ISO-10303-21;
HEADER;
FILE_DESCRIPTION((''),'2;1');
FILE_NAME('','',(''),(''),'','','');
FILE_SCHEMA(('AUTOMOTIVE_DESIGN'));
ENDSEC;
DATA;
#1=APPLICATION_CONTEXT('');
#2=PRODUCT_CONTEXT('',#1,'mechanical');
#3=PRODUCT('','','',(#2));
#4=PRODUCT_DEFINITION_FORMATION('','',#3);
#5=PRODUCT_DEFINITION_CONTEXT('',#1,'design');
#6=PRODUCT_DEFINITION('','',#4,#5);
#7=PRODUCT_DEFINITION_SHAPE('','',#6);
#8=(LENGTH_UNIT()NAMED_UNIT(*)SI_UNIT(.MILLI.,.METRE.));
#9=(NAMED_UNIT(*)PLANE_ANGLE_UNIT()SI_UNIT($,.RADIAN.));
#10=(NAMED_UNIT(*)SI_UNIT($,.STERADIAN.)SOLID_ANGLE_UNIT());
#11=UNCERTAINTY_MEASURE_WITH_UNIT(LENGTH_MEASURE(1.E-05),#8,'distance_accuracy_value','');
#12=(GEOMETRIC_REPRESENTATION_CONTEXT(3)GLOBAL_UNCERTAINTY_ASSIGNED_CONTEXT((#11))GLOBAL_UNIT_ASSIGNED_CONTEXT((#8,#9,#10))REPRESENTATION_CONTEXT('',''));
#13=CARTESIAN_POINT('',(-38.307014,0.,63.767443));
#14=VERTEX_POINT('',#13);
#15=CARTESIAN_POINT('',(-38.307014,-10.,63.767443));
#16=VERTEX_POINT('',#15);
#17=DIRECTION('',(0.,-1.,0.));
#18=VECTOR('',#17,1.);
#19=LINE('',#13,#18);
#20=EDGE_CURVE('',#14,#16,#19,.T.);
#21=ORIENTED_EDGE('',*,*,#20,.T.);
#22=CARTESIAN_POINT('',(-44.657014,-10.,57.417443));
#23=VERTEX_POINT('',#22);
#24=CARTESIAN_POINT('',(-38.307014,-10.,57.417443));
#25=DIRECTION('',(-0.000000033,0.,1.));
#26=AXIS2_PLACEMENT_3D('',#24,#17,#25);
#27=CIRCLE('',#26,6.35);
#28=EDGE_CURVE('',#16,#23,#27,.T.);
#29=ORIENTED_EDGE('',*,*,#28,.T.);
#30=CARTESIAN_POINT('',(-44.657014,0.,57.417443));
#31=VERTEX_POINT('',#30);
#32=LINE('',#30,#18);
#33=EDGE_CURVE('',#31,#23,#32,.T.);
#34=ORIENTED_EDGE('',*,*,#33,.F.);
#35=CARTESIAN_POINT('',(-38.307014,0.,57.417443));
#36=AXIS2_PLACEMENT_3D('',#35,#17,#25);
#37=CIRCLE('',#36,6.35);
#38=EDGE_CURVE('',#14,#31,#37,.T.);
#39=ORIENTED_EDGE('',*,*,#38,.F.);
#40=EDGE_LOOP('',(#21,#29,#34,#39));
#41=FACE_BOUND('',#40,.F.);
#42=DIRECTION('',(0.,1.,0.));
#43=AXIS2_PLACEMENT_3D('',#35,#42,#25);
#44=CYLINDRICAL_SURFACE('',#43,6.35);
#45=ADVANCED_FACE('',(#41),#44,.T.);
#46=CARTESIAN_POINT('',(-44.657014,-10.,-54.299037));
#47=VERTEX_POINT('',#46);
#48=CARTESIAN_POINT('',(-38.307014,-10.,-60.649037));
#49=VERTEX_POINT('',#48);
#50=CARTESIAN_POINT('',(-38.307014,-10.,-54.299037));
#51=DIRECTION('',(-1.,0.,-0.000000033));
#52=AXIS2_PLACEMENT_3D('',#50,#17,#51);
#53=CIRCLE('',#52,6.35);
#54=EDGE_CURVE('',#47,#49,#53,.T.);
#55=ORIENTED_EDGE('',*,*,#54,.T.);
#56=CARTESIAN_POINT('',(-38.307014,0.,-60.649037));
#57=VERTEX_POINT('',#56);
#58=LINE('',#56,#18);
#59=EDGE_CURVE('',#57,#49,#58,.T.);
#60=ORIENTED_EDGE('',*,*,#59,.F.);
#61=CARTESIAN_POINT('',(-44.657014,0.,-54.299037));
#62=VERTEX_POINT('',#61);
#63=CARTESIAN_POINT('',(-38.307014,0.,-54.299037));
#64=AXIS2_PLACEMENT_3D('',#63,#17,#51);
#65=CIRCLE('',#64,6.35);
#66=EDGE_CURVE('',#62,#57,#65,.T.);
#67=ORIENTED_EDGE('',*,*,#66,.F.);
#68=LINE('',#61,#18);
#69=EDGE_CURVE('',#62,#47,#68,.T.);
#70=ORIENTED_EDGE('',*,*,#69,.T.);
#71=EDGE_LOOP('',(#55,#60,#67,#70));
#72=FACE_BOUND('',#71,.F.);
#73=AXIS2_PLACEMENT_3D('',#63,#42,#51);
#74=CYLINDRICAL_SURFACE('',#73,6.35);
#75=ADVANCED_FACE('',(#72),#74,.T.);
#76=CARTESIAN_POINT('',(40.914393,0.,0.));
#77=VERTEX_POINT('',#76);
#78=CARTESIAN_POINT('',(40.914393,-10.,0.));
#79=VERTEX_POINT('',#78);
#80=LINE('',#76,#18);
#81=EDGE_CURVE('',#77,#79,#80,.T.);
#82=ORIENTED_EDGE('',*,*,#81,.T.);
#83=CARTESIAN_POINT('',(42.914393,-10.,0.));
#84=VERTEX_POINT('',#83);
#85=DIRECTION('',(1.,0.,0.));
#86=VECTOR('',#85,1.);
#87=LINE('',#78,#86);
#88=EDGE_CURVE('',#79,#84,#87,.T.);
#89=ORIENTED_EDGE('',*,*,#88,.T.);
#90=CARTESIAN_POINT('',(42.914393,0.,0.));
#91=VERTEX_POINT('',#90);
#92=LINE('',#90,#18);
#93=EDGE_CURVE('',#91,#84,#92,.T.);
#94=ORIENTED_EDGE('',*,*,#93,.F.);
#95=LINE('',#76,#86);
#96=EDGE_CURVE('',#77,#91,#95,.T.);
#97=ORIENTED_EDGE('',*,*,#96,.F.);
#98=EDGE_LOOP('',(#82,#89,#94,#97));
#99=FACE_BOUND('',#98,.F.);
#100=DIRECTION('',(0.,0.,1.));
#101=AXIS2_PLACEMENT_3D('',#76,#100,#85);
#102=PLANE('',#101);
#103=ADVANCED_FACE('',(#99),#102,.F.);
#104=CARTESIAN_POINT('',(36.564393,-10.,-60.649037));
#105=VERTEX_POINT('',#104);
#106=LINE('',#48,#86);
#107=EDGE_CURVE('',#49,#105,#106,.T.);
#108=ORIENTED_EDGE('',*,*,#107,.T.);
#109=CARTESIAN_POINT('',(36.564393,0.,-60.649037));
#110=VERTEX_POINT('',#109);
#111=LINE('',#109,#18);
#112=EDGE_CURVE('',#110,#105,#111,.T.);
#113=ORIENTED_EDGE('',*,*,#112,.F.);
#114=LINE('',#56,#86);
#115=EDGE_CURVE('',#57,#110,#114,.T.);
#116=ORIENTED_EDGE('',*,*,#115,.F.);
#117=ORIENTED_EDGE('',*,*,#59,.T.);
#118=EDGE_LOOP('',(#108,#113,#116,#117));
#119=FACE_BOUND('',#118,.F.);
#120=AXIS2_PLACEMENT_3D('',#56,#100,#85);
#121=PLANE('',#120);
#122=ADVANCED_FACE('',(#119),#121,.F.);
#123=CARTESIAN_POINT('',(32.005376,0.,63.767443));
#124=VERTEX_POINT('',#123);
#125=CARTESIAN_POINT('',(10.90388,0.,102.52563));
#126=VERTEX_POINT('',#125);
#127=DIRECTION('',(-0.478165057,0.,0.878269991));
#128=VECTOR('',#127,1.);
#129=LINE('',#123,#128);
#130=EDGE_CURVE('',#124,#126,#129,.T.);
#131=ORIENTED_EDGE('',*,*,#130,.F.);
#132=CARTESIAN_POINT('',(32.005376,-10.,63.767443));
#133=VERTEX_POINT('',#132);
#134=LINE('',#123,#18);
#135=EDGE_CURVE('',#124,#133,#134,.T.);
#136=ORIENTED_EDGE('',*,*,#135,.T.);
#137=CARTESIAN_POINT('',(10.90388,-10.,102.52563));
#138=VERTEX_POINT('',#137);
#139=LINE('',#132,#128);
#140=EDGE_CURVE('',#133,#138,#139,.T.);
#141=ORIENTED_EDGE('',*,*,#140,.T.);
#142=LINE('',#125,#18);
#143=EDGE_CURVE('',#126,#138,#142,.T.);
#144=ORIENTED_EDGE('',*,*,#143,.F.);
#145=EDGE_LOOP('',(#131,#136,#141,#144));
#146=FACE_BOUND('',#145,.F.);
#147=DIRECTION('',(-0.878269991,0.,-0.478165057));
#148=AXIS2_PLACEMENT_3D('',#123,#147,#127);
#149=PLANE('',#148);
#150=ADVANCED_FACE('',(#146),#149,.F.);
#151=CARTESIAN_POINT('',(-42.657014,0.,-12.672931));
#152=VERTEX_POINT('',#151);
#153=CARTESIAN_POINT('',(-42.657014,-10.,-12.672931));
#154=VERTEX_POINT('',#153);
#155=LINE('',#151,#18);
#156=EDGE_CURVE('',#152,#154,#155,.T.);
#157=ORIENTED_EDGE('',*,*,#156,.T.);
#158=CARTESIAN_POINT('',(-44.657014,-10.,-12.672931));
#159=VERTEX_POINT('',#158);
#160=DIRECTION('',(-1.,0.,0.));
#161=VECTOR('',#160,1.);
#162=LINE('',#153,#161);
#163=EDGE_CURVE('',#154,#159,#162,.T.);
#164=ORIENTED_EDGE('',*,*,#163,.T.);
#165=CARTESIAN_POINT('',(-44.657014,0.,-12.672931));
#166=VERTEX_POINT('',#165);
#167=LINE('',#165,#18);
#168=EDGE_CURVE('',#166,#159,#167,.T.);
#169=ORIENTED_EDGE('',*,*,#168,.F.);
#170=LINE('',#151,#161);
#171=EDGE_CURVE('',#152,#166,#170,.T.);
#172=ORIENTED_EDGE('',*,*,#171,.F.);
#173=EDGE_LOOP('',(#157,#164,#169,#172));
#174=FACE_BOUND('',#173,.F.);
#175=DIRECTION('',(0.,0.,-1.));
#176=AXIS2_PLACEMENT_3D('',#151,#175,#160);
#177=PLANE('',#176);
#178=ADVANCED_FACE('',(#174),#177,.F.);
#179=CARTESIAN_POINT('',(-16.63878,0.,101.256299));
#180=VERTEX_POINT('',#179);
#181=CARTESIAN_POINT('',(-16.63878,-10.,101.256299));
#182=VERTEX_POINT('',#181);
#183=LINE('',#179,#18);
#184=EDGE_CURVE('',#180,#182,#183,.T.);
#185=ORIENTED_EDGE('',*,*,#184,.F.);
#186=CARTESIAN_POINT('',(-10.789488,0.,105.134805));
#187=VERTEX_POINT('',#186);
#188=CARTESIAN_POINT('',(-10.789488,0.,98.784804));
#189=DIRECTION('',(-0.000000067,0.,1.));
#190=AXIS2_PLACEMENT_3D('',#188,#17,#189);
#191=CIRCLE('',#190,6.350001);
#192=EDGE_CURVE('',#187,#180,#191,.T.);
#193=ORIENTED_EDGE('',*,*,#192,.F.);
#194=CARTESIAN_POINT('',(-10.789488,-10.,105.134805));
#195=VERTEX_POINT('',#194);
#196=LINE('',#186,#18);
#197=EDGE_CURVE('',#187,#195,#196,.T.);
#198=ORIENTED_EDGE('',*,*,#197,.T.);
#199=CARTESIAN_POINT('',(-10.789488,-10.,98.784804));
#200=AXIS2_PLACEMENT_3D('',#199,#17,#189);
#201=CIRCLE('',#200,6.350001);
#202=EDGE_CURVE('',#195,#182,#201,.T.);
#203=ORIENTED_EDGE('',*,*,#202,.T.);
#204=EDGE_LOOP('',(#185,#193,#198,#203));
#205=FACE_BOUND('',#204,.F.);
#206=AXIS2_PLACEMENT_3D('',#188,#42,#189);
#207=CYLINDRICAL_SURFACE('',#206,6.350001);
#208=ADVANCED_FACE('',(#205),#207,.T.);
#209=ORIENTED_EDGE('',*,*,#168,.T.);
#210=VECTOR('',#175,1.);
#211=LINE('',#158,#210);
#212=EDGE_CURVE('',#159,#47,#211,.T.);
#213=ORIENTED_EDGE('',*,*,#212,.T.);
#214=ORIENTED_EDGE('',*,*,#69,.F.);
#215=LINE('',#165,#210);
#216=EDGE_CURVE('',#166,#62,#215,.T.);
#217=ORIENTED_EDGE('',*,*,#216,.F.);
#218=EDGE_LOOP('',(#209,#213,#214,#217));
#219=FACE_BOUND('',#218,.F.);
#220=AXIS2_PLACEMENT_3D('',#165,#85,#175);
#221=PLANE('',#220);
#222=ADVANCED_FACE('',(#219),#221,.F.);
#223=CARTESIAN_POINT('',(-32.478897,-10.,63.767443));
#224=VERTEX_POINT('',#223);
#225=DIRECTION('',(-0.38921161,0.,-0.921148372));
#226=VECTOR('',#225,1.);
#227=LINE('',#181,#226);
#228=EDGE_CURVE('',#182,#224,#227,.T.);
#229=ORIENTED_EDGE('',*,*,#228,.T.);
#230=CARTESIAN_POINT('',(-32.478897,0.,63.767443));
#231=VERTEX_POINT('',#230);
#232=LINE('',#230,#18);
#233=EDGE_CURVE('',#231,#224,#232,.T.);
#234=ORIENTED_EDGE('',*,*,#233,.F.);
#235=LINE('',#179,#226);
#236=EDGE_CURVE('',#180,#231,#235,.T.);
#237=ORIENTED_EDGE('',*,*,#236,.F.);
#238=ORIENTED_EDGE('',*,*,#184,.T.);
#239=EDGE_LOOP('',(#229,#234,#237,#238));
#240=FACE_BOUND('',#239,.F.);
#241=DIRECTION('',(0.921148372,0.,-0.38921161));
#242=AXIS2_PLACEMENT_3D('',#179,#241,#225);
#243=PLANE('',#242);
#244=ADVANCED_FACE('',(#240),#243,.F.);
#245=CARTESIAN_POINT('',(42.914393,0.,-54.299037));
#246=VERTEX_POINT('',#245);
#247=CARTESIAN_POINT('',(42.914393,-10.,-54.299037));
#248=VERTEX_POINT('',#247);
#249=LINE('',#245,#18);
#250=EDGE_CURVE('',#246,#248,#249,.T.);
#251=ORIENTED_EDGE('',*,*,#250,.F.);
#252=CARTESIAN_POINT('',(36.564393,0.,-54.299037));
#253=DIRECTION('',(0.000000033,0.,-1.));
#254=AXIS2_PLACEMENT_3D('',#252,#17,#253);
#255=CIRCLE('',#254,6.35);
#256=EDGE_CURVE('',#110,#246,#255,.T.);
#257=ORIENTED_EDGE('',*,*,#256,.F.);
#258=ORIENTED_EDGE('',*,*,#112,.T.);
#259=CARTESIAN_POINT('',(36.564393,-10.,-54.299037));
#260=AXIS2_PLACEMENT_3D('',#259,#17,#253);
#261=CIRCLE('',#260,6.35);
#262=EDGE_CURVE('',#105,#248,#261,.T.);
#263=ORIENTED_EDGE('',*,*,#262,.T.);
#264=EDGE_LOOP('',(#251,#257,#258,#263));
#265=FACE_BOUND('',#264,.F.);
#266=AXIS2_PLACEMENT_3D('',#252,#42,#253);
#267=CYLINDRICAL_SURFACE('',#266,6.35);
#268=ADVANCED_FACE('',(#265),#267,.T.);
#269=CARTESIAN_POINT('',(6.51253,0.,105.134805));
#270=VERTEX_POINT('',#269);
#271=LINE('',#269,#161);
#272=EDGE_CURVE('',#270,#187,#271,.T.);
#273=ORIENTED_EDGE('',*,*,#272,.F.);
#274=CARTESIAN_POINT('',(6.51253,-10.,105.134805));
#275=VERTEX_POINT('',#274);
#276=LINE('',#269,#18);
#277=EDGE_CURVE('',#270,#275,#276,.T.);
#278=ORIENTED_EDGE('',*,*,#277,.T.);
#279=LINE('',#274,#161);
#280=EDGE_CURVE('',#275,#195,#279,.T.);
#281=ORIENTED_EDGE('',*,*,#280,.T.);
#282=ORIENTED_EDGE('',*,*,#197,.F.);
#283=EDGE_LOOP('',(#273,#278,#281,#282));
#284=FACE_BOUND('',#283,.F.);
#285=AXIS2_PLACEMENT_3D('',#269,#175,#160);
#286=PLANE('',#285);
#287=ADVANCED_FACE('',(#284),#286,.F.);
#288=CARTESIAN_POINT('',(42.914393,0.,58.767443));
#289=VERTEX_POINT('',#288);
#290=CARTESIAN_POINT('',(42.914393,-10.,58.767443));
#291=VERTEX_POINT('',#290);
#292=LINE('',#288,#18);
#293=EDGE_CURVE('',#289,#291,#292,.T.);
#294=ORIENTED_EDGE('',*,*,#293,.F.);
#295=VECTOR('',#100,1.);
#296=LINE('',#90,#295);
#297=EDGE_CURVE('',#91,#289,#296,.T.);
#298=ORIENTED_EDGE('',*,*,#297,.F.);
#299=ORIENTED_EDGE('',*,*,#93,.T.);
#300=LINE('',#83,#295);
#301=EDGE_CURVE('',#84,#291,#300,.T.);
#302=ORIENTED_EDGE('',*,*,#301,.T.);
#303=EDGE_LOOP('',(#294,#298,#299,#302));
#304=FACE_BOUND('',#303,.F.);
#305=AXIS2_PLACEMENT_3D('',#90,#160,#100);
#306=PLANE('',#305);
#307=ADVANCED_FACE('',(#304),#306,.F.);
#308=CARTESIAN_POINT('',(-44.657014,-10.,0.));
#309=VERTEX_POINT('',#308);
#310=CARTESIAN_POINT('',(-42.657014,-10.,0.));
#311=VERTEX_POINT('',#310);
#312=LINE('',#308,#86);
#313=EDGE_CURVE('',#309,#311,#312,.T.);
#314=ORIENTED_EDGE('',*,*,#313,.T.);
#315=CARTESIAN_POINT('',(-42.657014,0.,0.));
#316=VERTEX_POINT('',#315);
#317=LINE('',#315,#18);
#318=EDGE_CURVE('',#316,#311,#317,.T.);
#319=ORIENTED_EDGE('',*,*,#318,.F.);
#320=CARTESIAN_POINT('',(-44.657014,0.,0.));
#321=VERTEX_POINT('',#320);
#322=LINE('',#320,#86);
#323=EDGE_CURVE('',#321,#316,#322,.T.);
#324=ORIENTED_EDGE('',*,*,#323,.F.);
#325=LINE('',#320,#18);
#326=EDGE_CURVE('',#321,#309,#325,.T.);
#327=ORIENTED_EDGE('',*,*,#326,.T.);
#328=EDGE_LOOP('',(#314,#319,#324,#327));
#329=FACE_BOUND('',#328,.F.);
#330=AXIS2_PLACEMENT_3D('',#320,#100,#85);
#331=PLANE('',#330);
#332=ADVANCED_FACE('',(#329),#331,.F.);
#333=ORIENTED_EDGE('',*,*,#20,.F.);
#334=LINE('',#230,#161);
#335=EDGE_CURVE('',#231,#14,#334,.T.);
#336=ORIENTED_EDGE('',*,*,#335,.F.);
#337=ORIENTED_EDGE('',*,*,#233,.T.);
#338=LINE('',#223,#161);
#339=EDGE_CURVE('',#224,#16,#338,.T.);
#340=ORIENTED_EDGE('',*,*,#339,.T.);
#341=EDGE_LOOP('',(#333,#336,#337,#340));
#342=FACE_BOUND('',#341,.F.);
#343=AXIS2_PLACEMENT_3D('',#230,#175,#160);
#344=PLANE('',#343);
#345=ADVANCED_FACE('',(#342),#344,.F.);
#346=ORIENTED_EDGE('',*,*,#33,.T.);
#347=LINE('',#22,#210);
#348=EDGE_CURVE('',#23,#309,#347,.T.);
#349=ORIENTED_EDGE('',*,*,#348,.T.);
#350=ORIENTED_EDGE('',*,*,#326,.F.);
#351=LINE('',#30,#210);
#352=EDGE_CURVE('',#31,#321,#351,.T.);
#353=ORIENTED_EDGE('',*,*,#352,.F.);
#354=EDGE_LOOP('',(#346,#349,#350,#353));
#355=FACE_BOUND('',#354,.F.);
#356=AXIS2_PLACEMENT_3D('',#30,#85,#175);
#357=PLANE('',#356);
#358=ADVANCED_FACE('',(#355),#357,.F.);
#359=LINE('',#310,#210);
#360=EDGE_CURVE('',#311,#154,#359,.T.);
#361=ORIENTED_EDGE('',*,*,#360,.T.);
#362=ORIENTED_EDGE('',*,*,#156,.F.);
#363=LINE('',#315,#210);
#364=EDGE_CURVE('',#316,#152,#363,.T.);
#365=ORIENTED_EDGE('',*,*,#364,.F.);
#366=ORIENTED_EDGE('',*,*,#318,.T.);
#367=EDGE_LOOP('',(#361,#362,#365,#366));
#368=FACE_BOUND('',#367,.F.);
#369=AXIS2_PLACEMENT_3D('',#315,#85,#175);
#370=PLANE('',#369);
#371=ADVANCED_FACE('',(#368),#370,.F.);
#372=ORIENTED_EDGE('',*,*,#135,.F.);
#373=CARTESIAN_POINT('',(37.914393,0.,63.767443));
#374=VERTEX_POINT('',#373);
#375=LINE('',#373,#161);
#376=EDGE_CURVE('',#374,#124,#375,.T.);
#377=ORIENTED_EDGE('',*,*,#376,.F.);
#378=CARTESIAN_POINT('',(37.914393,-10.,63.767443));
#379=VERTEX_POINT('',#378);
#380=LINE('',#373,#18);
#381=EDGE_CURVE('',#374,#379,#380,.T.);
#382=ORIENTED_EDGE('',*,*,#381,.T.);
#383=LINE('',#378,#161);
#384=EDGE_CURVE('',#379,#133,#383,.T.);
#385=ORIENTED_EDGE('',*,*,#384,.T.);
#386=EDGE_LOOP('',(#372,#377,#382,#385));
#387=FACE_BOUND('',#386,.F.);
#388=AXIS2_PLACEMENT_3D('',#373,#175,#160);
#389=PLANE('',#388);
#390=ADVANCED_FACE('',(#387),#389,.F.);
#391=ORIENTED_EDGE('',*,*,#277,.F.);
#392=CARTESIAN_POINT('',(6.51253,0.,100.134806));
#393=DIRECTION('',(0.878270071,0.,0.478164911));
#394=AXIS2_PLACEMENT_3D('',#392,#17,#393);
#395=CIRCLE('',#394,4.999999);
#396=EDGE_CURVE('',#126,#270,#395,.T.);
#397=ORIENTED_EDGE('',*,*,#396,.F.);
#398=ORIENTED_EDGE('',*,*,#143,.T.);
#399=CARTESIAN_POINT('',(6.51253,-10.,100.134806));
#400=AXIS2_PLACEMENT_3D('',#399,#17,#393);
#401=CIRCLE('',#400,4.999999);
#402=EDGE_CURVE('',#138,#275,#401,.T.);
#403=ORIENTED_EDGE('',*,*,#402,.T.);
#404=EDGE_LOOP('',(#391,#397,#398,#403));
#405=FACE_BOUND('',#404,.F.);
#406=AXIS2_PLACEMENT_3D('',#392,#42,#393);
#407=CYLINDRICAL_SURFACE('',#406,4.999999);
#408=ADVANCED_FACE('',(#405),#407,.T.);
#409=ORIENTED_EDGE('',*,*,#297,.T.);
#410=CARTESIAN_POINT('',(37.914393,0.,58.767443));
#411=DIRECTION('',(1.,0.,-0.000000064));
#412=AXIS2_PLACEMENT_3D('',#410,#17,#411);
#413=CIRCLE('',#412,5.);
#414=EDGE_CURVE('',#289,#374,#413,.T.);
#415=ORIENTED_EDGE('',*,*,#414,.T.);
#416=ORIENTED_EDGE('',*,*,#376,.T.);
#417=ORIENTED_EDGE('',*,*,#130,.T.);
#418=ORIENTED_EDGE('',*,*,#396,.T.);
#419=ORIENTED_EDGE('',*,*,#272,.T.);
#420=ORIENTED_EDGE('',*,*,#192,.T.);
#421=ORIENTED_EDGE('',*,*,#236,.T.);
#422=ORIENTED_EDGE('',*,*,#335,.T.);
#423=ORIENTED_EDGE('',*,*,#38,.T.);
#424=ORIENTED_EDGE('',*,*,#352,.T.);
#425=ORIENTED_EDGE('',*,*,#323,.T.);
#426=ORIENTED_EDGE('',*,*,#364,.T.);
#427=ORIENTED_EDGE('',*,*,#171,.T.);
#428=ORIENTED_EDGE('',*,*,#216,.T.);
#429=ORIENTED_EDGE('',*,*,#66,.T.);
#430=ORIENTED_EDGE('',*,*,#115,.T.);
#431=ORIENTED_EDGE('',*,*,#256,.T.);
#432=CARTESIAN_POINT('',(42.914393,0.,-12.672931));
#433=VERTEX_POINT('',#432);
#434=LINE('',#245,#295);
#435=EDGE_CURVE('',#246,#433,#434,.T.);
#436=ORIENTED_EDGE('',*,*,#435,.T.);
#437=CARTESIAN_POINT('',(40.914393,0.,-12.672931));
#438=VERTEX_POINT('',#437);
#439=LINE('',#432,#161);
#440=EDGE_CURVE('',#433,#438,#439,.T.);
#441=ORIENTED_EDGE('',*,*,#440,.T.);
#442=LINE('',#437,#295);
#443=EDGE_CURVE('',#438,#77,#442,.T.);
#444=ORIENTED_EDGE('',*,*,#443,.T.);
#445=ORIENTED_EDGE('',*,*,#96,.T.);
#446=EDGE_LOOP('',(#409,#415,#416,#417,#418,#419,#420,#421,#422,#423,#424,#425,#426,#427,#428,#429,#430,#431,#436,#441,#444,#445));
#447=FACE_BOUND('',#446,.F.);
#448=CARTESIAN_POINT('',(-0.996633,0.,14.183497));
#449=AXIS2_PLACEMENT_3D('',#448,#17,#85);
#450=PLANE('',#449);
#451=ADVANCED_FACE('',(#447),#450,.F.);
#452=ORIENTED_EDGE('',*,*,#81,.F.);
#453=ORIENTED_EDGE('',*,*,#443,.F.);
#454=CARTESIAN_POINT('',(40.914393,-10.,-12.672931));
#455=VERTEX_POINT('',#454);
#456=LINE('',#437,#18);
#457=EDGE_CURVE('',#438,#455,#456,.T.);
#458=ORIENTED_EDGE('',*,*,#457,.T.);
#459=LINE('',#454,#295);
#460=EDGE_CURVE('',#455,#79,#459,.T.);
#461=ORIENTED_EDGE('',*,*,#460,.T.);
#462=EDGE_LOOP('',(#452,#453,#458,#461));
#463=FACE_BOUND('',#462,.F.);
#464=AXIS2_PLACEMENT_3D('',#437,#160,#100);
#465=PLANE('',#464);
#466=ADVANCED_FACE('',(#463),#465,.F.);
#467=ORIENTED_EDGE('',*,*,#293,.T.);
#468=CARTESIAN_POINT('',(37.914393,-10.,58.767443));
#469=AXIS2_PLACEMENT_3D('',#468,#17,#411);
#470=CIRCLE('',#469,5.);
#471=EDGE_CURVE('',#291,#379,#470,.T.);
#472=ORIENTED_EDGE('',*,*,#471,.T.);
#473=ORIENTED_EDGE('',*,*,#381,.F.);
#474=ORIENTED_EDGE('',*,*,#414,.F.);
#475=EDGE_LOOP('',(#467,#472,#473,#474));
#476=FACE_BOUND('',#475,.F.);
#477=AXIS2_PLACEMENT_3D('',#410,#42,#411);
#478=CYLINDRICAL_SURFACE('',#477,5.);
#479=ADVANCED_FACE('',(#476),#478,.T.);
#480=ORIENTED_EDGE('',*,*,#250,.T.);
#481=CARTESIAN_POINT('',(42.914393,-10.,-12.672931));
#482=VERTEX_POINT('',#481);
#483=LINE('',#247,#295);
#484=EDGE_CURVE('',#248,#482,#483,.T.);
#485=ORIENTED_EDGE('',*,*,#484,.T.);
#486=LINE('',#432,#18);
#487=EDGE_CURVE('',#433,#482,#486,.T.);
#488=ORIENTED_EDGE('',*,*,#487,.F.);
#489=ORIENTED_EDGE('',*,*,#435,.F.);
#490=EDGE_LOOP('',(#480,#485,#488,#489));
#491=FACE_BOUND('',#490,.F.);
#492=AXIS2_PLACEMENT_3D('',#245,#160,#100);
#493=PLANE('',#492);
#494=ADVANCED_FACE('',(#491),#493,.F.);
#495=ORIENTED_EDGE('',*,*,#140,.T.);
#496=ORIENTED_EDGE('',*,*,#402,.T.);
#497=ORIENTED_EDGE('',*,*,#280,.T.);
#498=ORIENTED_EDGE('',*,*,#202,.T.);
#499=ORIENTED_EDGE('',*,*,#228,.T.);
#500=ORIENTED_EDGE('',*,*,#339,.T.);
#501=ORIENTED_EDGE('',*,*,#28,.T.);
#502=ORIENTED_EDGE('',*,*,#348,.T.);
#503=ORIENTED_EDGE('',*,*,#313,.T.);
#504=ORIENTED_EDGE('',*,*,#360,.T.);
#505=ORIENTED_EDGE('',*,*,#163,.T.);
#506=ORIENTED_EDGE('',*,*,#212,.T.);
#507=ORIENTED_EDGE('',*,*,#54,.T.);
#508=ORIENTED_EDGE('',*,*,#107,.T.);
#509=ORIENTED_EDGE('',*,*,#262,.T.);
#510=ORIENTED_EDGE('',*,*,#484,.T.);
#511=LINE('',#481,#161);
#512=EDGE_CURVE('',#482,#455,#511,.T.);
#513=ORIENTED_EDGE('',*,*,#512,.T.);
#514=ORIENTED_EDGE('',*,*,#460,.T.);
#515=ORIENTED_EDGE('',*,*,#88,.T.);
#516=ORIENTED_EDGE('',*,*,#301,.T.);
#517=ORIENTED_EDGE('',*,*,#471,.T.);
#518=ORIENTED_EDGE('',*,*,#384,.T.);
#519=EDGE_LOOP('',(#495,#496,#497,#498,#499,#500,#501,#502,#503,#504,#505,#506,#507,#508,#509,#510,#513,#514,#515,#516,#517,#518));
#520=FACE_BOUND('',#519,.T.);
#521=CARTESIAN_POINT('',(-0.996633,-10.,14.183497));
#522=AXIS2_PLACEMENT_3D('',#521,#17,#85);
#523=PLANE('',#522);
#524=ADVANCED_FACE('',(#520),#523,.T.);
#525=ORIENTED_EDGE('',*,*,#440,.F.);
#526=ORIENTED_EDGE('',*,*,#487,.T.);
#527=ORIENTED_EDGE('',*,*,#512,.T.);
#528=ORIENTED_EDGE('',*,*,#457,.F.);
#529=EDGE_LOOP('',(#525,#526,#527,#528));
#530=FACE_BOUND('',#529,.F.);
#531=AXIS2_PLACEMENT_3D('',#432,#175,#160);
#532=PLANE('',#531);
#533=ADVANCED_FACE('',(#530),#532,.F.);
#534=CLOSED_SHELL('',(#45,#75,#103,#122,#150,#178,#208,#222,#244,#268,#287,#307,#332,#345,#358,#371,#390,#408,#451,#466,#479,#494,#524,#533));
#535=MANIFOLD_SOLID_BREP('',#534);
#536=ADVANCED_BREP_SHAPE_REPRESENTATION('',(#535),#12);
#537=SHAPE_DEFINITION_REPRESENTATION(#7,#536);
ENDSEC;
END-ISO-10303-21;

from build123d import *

# Parameters (mm, degrees)
F1_DEPTH = 10


with BuildPart() as f1:
    # F0 (on Front) → F1 (new body)
    with BuildSketch(Plane.XZ):
        with BuildLine():
            Line((6.51253, 105.134805), (0, 105.134805))
            Line((0, 105.134805), (-10.789488, 105.134805))
            ThreePointArc((-10.789488, 105.134805), (-14.298656, 104.077086), (-16.63878, 101.256299))
            Line((-16.63878, 101.256299), (-32.478897, 63.767443))
            Line((-32.478897, 63.767443), (-38.307014, 63.767443))
            ThreePointArc((-38.307014, 63.767443), (-42.797142, 61.907571), (-44.657014, 57.417443))
            Line((-44.657014, 57.417443), (-44.657014, 0))
            Line((-44.657014, 0), (-42.657014, 0))
            Line((-42.657014, 0), (-42.657014, -12.672931))
            Line((-42.657014, -12.672931), (-44.657014, -12.672931))
            Line((-44.657014, -12.672931), (-44.657014, -54.299037))
            ThreePointArc((-44.657014, -54.299037), (-42.797142, -58.789165), (-38.307014, -60.649037))
            Line((-38.307014, -60.649037), (0, -60.649037))
            Line((0, -60.649037), (36.564393, -60.649037))
            ThreePointArc((36.564393, -60.649037), (41.054521, -58.789165), (42.914393, -54.299037))
            Line((42.914393, -54.299037), (42.914393, -12.672931))
            Line((42.914393, -12.672931), (40.914393, -12.672931))
            Line((40.914393, -12.672931), (40.914393, 0))
            Line((40.914393, 0), (42.914393, 0))
            Line((42.914393, 0), (42.914393, 58.767443))
            ThreePointArc((42.914393, 58.767443), (41.449927, 62.302977), (37.914393, 63.767443))
            Line((37.914393, 63.767443), (32.005376, 63.767443))
            Line((32.005376, 63.767443), (10.90388, 102.52563))
            ThreePointArc((10.90388, 102.52563), (9.066535, 104.4333), (6.51253, 105.134805))
        make_face()
    extrude(amount=F1_DEPTH)


solid = f1.part
